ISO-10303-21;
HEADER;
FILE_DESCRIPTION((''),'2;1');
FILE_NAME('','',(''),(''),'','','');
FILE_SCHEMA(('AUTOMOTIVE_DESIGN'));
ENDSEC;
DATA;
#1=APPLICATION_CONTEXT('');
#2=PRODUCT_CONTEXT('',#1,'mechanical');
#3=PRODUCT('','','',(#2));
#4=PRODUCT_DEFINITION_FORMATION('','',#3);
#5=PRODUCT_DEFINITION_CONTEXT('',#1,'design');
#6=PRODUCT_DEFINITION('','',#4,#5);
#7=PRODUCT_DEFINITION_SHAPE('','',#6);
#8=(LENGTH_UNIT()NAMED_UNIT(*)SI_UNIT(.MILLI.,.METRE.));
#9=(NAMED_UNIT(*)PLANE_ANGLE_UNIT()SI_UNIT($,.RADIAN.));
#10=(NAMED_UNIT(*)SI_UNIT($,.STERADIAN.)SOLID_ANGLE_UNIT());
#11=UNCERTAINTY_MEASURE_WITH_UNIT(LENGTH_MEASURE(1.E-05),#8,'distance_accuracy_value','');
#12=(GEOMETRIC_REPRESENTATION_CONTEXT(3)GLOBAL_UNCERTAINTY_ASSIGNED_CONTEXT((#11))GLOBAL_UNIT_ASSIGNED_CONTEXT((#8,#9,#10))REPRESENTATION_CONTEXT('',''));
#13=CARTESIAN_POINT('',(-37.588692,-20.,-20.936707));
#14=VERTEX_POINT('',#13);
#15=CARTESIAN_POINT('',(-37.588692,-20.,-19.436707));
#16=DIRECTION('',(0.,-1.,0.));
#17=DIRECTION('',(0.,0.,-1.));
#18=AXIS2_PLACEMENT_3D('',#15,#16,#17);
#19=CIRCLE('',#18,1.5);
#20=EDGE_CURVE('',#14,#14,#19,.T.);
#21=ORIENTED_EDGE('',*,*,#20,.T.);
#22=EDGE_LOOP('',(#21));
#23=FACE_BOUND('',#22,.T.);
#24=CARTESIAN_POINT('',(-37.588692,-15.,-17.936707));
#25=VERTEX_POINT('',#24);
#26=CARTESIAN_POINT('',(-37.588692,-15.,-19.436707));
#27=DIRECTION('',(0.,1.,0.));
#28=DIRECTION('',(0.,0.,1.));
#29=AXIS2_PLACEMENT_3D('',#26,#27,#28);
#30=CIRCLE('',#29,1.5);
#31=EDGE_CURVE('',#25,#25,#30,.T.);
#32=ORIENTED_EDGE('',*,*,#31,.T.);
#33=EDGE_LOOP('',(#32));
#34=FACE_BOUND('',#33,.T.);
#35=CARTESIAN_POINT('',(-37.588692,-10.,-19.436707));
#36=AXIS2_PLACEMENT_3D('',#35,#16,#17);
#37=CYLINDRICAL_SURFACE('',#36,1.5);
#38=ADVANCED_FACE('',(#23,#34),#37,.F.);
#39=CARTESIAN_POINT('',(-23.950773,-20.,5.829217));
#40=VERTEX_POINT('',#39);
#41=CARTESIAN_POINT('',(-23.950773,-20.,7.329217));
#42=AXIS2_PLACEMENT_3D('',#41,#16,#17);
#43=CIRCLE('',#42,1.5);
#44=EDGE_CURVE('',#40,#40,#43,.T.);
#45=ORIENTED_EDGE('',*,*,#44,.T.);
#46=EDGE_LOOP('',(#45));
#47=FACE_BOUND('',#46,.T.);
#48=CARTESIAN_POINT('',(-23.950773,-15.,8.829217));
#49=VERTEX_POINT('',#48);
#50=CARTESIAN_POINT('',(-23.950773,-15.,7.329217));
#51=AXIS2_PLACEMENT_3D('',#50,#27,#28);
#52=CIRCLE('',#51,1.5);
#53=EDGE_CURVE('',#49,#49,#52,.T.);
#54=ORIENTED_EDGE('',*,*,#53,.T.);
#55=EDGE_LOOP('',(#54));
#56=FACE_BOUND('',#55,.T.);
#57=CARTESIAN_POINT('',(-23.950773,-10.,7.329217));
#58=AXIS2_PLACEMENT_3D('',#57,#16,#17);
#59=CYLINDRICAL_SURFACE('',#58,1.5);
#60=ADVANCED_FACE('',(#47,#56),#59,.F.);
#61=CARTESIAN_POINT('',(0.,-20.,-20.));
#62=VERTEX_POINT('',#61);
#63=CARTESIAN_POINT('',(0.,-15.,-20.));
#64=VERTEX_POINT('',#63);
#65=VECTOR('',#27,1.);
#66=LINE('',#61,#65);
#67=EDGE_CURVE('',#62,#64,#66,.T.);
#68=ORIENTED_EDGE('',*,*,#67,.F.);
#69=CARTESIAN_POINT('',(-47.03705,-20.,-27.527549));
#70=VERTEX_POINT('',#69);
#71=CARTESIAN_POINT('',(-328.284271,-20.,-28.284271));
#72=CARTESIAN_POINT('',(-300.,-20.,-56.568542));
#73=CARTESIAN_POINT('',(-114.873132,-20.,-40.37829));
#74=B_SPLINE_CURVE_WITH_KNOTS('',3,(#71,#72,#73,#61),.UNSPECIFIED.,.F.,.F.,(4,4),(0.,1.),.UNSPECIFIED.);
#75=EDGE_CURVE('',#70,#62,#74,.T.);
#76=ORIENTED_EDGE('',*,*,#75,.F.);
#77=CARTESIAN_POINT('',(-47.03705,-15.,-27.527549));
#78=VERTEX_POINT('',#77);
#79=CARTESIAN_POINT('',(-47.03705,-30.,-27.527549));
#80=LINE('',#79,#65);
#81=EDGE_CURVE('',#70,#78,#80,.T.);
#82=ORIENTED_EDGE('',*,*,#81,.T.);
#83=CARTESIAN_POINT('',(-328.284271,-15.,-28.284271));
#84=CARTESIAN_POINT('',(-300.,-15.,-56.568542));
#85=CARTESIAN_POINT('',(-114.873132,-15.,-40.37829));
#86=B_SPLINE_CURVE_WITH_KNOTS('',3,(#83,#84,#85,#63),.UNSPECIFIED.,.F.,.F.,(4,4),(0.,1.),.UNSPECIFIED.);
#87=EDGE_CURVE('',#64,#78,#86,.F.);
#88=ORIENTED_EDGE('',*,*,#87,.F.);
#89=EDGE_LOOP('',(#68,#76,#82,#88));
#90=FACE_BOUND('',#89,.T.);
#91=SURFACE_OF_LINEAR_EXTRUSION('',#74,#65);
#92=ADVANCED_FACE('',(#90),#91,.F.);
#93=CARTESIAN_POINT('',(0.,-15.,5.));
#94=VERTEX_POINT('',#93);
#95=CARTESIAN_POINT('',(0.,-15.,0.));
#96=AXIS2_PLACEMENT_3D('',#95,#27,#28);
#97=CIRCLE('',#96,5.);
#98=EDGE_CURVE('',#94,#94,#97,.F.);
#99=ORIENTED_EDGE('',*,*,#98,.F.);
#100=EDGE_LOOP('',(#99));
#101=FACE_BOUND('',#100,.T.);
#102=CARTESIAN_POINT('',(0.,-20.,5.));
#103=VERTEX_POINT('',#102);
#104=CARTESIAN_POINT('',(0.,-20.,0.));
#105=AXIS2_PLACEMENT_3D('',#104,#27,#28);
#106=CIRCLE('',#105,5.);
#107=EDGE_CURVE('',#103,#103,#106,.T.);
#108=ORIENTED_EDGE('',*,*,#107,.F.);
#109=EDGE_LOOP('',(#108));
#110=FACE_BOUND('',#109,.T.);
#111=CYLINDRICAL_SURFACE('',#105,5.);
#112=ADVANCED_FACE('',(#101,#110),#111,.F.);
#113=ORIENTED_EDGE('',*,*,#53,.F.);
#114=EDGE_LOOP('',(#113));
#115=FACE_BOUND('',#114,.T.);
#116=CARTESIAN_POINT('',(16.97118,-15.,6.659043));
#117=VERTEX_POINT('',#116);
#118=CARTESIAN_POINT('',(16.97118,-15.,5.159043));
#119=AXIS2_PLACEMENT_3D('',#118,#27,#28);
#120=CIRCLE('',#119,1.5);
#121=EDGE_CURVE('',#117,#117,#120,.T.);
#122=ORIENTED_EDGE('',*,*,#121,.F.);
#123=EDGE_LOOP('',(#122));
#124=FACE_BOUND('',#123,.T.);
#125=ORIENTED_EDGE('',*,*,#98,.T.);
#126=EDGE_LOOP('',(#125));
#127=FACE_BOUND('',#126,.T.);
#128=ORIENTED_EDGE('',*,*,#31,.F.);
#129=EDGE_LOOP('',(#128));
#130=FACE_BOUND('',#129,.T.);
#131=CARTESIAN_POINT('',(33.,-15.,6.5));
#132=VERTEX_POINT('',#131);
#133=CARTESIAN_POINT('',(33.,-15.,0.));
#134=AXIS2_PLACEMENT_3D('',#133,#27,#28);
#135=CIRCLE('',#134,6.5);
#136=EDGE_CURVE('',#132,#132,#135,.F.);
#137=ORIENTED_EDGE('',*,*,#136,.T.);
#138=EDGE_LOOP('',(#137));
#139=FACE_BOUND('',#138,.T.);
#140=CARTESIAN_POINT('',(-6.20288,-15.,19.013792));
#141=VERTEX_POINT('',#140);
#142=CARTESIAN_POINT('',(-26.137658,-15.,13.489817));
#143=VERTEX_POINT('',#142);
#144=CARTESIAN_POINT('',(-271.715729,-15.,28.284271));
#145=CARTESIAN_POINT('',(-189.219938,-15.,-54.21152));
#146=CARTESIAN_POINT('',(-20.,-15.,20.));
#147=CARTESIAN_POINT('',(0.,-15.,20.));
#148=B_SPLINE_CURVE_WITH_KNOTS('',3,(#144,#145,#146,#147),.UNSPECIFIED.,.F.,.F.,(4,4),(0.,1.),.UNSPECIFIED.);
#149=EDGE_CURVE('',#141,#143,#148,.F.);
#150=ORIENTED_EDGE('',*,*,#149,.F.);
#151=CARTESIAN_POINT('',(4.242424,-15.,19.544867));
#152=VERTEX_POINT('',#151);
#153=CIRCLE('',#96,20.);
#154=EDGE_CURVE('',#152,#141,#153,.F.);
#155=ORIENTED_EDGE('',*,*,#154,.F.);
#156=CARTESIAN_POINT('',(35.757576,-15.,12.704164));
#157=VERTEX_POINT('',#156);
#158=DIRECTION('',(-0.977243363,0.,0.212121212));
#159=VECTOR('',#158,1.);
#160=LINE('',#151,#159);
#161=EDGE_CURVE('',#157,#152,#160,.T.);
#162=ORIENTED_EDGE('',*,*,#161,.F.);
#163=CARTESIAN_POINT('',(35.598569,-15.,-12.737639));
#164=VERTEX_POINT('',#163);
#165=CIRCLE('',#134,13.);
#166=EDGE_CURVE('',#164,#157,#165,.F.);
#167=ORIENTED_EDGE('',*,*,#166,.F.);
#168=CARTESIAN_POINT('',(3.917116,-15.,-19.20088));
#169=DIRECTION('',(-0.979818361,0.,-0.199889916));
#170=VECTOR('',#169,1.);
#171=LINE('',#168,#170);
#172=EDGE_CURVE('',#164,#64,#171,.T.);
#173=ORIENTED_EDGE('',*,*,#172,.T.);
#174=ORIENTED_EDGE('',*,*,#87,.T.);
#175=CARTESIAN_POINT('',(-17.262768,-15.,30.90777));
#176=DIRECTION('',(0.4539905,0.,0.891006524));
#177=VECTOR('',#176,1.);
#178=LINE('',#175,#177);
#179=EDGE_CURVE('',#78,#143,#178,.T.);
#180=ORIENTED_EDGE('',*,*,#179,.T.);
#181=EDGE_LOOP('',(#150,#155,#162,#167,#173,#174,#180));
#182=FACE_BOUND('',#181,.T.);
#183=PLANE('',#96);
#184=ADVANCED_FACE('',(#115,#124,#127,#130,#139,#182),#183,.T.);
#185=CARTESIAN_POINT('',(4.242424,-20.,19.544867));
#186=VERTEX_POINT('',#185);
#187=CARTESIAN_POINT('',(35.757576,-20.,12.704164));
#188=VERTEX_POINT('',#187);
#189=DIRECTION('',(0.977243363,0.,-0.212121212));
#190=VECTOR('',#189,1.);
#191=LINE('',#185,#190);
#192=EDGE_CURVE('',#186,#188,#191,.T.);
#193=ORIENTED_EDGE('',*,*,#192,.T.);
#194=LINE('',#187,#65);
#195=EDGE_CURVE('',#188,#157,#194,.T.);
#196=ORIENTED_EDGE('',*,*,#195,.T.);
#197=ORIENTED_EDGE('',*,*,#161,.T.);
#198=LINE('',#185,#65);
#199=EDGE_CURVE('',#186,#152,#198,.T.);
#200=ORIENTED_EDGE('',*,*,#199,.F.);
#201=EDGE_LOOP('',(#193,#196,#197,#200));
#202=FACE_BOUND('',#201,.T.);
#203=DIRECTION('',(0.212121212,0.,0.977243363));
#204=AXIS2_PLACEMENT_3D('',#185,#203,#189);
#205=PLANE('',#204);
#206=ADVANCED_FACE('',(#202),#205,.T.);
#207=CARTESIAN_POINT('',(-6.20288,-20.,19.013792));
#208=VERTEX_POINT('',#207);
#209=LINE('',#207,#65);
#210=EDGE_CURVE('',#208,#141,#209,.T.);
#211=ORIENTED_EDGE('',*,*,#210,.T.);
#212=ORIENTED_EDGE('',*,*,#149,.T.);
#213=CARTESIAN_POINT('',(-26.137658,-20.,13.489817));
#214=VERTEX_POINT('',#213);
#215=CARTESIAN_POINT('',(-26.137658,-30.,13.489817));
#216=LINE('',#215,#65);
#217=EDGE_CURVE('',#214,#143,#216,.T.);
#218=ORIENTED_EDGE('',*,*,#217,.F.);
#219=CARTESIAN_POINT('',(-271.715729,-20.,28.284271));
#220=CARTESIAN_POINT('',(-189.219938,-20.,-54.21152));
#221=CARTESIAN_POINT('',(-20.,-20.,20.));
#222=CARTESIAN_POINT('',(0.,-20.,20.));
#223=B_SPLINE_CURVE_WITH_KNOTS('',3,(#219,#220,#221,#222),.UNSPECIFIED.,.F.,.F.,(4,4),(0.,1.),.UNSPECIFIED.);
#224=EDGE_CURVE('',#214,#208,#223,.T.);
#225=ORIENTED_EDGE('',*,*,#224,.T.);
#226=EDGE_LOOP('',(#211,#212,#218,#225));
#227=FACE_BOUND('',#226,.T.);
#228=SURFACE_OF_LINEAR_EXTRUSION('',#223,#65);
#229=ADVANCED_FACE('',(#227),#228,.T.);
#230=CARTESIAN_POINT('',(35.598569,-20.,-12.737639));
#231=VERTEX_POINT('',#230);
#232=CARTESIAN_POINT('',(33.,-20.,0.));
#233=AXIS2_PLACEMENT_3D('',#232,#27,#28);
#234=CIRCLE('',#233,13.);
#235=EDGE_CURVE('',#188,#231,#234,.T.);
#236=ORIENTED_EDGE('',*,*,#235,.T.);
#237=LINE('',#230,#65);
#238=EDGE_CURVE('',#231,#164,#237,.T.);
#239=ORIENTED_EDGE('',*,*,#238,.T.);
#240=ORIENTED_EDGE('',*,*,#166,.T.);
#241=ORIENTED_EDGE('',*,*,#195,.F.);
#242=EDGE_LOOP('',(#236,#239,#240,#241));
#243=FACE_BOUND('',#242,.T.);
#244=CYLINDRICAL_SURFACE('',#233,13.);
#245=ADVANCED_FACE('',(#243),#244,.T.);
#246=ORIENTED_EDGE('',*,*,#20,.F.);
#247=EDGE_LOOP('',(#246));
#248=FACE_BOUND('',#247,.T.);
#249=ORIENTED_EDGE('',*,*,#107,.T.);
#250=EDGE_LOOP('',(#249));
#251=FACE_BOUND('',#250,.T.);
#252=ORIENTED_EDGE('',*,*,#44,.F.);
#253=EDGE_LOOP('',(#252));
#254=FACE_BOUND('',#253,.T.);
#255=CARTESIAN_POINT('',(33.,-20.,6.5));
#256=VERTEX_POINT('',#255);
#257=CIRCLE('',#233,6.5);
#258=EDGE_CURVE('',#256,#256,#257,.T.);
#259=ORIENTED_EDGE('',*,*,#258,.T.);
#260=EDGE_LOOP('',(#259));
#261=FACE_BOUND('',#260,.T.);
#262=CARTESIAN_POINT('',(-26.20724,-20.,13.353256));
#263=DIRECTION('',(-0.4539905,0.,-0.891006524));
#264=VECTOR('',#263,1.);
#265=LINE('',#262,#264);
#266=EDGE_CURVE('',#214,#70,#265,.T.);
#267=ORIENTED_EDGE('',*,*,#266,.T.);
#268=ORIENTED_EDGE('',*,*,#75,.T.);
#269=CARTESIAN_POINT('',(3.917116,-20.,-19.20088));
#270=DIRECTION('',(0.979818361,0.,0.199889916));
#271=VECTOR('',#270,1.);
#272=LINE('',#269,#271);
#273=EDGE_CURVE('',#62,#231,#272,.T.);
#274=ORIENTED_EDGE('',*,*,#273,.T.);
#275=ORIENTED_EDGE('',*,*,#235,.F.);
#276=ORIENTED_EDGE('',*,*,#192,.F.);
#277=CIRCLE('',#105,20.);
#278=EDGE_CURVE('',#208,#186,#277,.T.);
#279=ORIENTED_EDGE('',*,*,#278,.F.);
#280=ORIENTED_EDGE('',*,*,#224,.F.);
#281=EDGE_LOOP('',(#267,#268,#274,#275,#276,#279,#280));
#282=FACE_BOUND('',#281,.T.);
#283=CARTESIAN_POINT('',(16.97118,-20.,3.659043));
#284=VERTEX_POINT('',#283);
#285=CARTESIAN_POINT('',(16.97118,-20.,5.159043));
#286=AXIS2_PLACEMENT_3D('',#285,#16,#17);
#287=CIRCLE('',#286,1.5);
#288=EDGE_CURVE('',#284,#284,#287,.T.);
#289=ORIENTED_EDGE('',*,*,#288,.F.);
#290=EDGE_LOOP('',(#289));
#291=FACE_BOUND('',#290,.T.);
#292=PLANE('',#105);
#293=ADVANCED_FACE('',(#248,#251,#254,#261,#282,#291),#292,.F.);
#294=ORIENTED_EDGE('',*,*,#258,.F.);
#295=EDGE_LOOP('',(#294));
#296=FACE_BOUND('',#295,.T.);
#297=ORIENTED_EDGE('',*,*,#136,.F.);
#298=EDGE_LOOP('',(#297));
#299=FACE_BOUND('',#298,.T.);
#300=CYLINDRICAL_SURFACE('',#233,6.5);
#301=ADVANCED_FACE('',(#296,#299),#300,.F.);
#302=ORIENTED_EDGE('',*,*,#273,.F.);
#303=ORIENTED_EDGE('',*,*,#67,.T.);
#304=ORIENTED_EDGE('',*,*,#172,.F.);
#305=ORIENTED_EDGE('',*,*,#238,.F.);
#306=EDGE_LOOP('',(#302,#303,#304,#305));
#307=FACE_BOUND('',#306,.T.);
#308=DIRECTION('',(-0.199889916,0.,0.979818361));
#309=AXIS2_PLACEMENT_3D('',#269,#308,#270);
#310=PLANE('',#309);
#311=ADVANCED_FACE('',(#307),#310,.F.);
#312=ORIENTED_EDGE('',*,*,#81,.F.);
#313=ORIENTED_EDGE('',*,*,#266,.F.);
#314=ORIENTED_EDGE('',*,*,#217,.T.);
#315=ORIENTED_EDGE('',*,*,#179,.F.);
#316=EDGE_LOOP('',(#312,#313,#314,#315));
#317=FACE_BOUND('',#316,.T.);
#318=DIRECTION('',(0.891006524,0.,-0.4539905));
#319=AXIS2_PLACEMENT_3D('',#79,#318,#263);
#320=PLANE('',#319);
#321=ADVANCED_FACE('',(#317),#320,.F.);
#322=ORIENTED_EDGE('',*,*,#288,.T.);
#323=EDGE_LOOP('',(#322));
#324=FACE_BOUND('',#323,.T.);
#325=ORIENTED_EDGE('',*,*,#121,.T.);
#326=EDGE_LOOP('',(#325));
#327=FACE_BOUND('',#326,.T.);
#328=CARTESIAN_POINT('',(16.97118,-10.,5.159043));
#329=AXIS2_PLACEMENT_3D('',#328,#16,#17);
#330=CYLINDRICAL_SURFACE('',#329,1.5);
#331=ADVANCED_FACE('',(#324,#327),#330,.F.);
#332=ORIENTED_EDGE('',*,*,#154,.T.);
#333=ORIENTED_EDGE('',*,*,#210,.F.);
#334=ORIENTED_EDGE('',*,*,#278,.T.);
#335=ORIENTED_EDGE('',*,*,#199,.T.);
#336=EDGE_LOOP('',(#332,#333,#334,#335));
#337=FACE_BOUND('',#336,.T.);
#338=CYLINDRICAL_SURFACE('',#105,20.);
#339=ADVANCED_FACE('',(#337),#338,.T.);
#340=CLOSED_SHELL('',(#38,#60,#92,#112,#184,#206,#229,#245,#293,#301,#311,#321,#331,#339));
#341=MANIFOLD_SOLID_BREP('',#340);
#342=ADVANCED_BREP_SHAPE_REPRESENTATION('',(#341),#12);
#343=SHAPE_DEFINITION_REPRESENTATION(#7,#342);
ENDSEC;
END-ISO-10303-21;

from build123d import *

# Parameters (mm, degrees)
BOSS_EXTRUDE1_DEPTH      = 20
BOSS_EXTRUDE1_DEPTH_BACK = 20
SKETCH1_R                = 5
SKETCH1_R_2              = 6.5
CUT_EXTRUDE4_DEPTH       = 35
SKETCH6_R                = 1.5
CUT_EXTRUDE5_DEPTH       = 10
CUT_EXTRUDE6_DEPTH       = 50


with BuildPart() as part:
    # Sketch1 → Boss-Extrude1 (new, two sides: drawn at the far end of the back side and taken through both)
    with BuildSketch(Plane(origin=(0, 0, 0), x_dir=(1, 0, 0), z_dir=(0, 1, 0)).offset(-BOSS_EXTRUDE1_DEPTH_BACK)):
        with BuildLine():
            add(Edge.make_bspline(
                [(0, 20), (-114.873131821, 40.378289836), (-300, 56.568542495), (-328.284271247, 28.284271247)],
                knots=[0.1900067, 0.1900067, 0.1900067, 0.1900067, 1.1900067, 1.1900067, 1.1900067, 1.1900067], degree=3))
            ThreePointArc((-328.284271247, 28.284271247), (-328.284271247, -28.284271247), (-271.715728753, -28.284271247))
            add(Edge.make_bspline(
                [(-271.715728753, -28.284271247), (-194.91847241, 48.512985095), (-42.964488834, -10.495172733), (-6.202879594, -19.013791961)],
                knots=[0, 0, 0, 0, 0.930923327, 0.930923327, 0.930923327, 0.930923327], degree=3))
            ThreePointArc((-6.202879594, -19.013791961), (-1.015557257, -19.974199445), (4.242424242, -19.544867269))
            Line((4.242424242, -19.544867269), (35.757575758, -12.704163725))
            ThreePointArc((35.757575758, -12.704163725), (45.999746115, 0.081246157), (35.598568909, 12.737638699))
            Line((35.598568909, 12.737638699), (0, 20))
        make_face()
        with Locations(Location((0, 0, 0), (0, 0, 270))):
            Circle(SKETCH1_R, mode=Mode.SUBTRACT)
        with Locations(Location((33, 0, 0), (0, 0, 270))):
            Circle(SKETCH1_R_2, mode=Mode.SUBTRACT)
    extrude(amount=BOSS_EXTRUDE1_DEPTH + BOSS_EXTRUDE1_DEPTH_BACK)

    # Sketch5 → Cut-Extrude4 (cut)
    with BuildSketch(Plane(origin=(0, 20, 0), x_dir=(1, 0, 0), z_dir=(0, 1, 0))):
        Polygon((-47.037049996, 27.527548523), (92.120786702, 16.164640032), (85.724700256, -16.918764701), (-17.262768022, -30.907770073), align=None)
    extrude(amount=-CUT_EXTRUDE4_DEPTH, mode=Mode.SUBTRACT)

    # Sketch6 → Cut-Extrude5 (cut)
    with BuildSketch(Plane(origin=(0, -20, 0), x_dir=(-1, 0, 0), z_dir=(0, -1, 0))):
        with Locations(Location((23.950772589, -7.329216823, 0), (0, 0, 90))):
            Circle(SKETCH6_R)
        with Locations(Location((-16.971180087, -5.159042993, 0), (0, 0, 90))):
            Circle(SKETCH6_R)
        with Locations(Location((37.588692144, 19.43670737, 0), (0, 0, 90))):
            Circle(SKETCH6_R)
    extrude(amount=-CUT_EXTRUDE5_DEPTH, mode=Mode.SUBTRACT)

    # Sketch7 → Cut-Extrude6 (cut)
    with BuildSketch(Plane(origin=(0, 20, 0), x_dir=(1, 0, 0), z_dir=(0, 1, 0))):
        Polygon((-47.037049996, 27.527548523), (-26.137658318, -13.489817144), (-379.595719096, -92.580220424), (-321.505561991, 137.254748988), align=None)
    extrude(amount=-CUT_EXTRUDE6_DEPTH, mode=Mode.SUBTRACT)


solid = part.part
